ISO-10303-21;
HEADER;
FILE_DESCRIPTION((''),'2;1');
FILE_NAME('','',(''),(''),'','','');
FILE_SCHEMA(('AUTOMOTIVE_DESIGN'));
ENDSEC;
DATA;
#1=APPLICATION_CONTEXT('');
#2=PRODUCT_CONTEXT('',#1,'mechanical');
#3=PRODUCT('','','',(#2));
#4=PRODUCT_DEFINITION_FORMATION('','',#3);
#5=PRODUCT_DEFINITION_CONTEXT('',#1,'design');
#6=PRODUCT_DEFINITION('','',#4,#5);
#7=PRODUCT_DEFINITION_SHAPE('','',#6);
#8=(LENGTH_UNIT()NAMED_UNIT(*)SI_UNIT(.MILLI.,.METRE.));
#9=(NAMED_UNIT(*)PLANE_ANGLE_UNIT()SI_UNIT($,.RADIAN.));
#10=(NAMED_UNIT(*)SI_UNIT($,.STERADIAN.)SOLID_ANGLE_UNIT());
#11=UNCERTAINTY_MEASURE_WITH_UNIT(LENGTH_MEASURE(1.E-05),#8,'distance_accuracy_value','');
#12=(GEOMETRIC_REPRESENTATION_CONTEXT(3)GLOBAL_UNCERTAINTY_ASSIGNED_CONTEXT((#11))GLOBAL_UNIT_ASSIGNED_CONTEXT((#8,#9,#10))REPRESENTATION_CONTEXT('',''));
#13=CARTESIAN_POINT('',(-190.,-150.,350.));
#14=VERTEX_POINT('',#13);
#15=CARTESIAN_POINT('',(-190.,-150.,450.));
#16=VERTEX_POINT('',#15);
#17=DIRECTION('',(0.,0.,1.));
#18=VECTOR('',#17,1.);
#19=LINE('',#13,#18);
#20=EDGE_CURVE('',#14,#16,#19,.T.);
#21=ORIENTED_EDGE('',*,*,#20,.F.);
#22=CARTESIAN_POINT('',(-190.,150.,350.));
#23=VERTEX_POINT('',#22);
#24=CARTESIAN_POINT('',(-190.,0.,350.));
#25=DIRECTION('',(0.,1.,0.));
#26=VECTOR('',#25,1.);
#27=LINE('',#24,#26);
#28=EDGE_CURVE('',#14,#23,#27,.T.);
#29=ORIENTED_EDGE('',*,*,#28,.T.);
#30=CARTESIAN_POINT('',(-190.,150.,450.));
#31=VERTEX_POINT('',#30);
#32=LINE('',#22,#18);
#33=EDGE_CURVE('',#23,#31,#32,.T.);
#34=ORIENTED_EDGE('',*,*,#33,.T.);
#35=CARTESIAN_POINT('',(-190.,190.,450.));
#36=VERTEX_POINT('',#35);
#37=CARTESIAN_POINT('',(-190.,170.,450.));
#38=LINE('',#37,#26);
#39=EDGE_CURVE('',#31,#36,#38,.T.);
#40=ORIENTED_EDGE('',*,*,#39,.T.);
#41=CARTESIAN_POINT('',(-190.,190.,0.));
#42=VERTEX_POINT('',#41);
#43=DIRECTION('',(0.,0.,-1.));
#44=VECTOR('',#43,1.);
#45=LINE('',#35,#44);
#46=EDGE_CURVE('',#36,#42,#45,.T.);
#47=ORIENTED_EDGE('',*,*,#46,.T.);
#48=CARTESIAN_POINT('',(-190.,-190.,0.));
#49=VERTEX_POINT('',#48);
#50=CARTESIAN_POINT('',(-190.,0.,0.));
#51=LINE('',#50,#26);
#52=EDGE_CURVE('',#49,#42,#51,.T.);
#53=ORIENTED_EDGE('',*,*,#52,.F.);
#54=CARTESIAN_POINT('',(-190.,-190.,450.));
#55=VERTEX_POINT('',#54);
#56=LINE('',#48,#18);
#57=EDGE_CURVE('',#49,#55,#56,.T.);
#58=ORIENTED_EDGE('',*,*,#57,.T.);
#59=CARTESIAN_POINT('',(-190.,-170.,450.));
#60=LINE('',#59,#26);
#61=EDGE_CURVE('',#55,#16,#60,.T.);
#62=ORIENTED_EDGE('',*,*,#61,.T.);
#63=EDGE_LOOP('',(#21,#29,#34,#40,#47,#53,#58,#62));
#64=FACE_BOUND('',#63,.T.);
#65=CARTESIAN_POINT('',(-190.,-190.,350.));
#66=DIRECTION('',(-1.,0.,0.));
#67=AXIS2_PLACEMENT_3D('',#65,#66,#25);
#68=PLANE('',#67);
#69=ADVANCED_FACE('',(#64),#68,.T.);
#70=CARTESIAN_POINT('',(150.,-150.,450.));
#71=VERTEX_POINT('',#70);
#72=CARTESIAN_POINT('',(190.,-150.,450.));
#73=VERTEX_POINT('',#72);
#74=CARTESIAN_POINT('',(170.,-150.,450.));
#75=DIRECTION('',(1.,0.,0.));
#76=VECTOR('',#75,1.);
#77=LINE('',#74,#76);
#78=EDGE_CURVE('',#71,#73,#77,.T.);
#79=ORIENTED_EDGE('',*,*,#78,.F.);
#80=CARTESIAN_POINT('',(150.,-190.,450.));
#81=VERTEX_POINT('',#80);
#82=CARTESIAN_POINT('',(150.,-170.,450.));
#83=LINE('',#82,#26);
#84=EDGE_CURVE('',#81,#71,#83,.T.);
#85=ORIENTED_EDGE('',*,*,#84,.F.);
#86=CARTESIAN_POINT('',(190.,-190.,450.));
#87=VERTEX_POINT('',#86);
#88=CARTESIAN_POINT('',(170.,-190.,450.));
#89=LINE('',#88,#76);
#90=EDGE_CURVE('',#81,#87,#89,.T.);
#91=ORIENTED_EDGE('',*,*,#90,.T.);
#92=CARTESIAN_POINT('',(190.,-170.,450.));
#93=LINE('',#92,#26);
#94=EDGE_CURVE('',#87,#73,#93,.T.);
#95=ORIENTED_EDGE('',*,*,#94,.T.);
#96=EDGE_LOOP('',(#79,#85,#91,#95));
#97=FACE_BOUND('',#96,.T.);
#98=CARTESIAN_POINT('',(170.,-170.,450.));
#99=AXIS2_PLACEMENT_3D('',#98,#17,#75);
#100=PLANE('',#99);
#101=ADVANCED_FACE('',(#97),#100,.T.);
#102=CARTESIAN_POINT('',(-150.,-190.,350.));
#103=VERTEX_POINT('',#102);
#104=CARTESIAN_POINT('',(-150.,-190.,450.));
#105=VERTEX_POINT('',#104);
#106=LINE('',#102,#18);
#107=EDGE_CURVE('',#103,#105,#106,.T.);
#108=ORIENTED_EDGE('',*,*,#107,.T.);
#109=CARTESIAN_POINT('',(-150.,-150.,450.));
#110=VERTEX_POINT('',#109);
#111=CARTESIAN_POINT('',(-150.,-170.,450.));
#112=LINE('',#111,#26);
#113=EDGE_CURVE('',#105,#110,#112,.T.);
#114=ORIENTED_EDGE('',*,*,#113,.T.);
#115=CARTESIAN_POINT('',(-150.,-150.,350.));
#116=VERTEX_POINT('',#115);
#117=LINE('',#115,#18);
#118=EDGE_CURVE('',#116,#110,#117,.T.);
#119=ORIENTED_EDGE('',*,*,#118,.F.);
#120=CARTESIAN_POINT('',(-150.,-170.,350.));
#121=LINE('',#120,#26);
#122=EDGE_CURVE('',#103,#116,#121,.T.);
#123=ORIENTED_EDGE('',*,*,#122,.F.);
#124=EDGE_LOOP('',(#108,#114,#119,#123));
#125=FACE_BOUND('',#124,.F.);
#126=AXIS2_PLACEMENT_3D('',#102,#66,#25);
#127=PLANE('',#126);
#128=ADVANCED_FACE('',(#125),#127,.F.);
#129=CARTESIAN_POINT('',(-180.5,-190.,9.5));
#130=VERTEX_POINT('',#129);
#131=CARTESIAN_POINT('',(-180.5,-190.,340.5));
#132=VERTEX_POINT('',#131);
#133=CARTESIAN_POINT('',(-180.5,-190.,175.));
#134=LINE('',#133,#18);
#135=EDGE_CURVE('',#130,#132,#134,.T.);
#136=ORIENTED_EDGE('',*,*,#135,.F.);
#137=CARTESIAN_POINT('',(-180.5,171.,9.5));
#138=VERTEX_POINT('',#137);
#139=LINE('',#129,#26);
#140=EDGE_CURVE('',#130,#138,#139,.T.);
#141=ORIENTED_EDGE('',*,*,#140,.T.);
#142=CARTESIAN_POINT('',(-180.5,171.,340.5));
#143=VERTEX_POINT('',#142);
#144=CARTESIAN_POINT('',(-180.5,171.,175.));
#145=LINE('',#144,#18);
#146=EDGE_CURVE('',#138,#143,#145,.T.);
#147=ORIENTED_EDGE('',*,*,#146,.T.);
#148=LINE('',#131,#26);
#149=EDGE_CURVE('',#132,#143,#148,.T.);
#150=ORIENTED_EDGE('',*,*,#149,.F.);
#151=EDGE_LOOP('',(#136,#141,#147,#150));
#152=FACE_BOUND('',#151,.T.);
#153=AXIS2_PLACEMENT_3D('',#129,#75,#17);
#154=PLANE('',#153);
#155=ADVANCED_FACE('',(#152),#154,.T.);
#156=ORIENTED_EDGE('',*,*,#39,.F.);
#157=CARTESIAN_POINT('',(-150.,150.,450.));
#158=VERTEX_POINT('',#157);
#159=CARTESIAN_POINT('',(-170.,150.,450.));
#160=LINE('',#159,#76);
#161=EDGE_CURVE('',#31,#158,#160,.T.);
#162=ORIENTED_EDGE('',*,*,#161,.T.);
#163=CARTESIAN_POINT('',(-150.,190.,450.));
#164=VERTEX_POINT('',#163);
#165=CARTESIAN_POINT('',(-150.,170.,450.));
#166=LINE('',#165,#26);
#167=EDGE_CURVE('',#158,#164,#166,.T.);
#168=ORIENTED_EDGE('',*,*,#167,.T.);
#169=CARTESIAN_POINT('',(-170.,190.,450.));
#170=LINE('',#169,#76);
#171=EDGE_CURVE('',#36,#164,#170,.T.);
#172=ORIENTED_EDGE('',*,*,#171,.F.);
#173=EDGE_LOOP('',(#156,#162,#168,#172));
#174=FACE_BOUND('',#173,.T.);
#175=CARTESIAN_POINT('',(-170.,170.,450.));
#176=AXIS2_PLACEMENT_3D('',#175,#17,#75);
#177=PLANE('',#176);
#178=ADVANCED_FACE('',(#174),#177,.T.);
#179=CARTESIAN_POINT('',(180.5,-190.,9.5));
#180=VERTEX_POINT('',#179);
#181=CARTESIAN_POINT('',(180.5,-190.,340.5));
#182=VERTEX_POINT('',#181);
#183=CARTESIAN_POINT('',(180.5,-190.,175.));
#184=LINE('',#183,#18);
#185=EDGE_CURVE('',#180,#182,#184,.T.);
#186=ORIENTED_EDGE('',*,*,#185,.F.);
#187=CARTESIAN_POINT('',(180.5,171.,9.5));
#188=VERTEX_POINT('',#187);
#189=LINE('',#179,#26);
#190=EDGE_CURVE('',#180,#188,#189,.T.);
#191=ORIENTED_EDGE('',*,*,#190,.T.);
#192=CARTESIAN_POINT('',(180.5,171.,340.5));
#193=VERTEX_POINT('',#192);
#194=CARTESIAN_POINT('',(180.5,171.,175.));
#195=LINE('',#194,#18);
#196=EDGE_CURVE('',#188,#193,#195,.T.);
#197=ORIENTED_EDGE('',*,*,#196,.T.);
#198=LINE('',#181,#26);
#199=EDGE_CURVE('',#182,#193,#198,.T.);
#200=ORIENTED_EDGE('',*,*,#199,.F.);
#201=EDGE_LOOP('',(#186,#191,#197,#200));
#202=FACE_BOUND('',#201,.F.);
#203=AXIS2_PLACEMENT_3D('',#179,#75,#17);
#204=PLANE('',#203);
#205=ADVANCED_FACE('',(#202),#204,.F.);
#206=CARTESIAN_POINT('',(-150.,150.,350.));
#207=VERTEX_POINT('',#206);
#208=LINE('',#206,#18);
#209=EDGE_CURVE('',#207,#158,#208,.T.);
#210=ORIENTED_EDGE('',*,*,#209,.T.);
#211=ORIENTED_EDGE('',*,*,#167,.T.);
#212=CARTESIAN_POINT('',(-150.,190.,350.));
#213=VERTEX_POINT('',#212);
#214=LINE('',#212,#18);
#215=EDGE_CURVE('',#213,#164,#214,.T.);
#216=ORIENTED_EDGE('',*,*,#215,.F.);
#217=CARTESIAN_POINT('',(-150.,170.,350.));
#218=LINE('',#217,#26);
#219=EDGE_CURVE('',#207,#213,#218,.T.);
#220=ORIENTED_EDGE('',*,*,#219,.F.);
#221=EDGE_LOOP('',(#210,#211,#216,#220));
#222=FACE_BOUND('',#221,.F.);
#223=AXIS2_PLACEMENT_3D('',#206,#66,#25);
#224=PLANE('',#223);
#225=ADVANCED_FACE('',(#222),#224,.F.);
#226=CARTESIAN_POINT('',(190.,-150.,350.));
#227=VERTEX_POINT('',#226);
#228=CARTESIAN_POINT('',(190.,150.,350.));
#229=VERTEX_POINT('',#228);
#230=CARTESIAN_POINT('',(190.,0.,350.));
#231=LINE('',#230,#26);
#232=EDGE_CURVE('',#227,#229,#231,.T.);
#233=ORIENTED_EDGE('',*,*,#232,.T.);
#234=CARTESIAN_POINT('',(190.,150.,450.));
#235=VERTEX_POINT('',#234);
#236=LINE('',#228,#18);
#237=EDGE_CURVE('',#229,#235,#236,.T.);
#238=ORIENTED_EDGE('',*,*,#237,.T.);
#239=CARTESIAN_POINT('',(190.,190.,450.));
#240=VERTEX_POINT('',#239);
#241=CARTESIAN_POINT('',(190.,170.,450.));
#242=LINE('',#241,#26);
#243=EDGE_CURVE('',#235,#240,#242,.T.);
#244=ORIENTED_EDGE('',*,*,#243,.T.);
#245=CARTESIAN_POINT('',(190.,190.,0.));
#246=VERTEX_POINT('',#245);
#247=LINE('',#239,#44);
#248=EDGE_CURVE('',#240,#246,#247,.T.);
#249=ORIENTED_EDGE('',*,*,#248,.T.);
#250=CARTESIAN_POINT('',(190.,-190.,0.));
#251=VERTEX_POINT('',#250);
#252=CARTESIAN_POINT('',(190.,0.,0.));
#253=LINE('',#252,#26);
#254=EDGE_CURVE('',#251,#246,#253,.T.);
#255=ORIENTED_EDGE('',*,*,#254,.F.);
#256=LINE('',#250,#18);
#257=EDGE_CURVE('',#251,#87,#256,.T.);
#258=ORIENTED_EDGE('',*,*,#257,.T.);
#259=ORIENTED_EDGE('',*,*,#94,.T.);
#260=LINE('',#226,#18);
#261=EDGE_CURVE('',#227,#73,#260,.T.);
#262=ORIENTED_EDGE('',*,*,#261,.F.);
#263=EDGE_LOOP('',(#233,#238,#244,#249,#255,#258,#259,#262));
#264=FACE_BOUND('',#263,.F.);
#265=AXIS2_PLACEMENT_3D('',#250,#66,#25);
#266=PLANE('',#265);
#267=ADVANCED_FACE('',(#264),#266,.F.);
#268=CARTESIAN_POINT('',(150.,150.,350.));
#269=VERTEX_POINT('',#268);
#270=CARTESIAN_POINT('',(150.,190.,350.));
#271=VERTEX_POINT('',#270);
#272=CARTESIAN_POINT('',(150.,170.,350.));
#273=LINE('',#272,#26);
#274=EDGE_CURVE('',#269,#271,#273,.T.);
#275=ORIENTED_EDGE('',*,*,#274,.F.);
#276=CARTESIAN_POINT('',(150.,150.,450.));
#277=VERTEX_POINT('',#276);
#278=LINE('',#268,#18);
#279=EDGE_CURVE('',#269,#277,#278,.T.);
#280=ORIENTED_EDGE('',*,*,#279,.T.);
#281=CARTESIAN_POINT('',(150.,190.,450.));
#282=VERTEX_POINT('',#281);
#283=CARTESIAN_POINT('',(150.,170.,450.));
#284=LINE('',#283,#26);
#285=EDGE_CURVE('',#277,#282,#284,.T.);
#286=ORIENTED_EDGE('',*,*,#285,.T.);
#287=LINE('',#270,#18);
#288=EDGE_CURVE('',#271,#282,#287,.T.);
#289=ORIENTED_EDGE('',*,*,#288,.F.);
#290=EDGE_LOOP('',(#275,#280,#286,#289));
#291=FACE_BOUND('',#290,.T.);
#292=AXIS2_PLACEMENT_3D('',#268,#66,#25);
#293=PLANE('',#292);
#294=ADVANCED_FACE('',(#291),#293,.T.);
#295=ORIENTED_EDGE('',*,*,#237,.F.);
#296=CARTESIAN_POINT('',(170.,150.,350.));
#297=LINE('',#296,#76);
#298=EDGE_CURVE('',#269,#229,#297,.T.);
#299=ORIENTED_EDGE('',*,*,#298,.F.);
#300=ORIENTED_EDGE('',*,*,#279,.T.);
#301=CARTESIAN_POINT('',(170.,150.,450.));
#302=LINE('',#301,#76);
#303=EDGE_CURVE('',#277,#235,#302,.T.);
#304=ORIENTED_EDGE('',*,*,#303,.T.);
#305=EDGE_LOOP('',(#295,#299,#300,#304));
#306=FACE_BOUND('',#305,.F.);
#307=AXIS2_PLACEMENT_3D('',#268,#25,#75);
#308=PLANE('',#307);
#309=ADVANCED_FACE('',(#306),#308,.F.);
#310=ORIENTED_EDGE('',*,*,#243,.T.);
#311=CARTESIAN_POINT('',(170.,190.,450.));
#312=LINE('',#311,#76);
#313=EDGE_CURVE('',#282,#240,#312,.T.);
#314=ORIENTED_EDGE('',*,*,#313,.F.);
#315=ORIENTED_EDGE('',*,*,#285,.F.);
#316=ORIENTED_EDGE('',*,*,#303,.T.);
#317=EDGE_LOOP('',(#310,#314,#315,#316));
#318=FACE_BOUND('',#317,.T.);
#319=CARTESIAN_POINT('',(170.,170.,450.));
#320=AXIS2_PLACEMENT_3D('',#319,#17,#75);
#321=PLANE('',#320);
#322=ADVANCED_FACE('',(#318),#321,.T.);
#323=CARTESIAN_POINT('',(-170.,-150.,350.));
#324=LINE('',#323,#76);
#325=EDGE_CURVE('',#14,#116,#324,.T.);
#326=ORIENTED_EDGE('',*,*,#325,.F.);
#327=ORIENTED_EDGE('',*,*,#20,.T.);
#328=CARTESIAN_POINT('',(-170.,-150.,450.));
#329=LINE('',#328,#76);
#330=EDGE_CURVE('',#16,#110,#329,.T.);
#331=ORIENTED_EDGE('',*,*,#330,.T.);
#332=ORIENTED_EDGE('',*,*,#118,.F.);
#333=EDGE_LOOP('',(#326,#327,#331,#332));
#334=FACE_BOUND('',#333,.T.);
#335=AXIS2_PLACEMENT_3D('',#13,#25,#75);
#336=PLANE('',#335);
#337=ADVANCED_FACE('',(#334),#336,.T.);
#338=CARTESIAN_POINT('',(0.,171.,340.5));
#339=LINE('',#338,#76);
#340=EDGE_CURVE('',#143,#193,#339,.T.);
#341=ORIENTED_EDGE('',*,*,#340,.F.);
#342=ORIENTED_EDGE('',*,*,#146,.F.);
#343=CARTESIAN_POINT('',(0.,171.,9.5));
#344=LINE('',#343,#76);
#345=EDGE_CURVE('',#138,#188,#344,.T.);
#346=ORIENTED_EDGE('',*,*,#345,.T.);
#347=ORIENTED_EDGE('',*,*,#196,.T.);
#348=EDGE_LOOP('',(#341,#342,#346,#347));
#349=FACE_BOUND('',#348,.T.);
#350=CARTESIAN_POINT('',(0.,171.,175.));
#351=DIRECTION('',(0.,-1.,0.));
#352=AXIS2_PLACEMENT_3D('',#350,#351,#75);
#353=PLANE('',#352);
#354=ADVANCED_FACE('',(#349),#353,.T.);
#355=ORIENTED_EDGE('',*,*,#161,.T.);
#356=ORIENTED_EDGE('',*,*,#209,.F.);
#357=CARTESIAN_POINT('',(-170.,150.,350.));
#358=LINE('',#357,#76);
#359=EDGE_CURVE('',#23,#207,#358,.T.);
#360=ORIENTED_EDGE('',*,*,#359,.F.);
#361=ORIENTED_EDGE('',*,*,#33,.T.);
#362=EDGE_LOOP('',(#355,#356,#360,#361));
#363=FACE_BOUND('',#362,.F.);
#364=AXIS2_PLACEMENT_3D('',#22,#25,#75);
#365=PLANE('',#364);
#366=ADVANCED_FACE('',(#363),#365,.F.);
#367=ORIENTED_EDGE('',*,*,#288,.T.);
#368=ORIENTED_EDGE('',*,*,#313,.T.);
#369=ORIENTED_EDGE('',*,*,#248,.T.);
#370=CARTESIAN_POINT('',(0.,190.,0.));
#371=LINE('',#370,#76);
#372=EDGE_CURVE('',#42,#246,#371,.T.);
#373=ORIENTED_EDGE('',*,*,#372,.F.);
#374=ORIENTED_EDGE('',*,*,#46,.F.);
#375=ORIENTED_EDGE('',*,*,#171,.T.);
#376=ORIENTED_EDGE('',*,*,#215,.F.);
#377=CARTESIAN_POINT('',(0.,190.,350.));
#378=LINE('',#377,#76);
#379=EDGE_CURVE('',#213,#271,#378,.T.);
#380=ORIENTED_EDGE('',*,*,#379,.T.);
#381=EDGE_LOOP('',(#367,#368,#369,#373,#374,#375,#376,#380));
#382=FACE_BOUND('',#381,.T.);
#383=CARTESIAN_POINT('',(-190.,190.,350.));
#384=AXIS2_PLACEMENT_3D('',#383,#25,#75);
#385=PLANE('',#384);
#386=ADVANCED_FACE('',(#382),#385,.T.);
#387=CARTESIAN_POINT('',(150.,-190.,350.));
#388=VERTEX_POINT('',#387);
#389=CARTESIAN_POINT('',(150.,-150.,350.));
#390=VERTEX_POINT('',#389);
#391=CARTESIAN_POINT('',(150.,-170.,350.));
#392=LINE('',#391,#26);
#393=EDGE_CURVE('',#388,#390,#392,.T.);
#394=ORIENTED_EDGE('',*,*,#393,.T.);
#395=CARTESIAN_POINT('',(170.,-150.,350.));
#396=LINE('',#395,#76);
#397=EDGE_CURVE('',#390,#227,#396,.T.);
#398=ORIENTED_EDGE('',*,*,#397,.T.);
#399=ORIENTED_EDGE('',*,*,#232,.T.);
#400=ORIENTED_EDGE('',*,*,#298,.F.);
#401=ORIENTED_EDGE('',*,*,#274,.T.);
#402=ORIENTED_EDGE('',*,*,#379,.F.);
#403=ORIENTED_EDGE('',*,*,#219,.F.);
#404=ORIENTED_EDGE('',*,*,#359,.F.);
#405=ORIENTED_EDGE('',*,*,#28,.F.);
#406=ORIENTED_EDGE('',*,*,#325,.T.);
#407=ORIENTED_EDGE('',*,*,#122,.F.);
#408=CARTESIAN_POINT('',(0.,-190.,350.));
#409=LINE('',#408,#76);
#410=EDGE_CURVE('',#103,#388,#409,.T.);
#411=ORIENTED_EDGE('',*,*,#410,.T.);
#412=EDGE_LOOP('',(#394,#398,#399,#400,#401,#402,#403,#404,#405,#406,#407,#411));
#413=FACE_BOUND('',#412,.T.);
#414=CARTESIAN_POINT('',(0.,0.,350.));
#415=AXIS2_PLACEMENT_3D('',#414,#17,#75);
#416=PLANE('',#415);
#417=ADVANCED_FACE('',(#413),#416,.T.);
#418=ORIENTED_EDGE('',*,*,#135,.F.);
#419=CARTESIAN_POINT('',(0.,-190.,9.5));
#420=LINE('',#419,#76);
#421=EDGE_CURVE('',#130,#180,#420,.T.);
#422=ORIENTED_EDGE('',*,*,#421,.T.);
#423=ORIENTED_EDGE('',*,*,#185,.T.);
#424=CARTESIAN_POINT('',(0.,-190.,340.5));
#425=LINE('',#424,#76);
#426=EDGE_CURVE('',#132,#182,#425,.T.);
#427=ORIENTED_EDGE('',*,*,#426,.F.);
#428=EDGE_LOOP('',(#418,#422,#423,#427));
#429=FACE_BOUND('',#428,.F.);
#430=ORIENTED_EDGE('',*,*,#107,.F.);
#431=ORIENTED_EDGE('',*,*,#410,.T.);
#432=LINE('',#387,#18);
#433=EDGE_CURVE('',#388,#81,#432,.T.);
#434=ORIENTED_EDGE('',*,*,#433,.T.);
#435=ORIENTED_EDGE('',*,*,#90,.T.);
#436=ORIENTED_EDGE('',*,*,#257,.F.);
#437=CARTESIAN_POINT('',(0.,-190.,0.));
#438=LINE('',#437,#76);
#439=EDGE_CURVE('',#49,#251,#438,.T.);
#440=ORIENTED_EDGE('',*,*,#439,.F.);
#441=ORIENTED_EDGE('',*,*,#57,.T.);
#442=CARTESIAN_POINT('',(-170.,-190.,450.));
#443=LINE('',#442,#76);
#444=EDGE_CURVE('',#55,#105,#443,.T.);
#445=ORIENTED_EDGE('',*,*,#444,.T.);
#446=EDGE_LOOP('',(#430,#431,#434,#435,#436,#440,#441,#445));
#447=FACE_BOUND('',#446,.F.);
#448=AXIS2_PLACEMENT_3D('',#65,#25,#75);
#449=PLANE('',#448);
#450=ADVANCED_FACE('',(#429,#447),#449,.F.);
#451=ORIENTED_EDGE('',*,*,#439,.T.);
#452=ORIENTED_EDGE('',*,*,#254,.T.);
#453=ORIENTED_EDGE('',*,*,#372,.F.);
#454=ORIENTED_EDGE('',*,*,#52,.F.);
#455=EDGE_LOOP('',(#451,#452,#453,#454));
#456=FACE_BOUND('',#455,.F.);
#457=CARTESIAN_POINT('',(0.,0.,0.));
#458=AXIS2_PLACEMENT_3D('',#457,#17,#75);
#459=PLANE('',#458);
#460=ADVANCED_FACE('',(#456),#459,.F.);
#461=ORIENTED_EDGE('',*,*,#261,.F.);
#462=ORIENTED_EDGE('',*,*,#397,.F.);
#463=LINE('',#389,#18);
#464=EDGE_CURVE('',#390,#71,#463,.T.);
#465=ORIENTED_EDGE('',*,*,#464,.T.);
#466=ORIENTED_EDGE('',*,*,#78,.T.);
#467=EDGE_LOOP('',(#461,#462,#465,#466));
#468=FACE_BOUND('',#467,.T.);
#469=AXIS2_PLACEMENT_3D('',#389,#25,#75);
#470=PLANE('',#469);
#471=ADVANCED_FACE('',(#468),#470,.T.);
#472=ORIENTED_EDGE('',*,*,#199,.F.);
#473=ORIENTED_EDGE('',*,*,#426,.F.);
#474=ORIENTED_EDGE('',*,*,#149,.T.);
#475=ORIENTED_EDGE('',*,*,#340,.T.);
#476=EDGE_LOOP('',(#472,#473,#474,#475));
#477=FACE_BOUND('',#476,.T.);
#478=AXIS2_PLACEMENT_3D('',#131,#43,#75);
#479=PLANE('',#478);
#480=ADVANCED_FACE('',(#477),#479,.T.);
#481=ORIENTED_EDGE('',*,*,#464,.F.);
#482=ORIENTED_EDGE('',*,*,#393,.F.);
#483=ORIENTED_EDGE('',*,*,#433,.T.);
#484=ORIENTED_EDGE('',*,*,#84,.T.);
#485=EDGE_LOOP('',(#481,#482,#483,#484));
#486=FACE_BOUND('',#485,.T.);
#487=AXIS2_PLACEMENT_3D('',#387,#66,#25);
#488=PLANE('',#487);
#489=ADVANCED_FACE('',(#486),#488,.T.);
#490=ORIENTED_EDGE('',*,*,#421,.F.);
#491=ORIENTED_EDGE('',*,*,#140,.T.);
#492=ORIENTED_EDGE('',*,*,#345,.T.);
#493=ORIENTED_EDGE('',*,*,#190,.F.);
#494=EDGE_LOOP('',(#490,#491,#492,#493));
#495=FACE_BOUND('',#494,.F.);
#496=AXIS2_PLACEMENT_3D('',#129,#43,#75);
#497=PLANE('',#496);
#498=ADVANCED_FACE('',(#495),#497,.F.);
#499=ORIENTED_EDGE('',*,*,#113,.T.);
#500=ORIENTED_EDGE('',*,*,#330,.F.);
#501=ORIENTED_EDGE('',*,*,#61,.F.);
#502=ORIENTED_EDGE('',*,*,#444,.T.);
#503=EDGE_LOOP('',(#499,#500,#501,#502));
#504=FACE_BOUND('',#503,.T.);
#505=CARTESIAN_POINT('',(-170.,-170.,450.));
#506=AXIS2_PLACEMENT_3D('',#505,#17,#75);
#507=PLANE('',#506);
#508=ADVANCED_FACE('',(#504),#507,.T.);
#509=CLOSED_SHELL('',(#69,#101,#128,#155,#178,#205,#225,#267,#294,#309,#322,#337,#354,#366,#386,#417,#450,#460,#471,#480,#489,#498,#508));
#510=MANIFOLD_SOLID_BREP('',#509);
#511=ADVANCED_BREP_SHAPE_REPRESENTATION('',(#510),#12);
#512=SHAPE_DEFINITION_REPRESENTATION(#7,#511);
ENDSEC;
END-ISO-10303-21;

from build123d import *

# Parameters (mm, degrees)
F0_W     = 380
F0_H     = 380
F1_DEPTH = 350
F2_W     = 361
F2_H     = 331
F3_DEPTH = 361
F4_W     = 40
F4_H     = 40
F5_DEPTH = 100
F6_W     = 40
F6_H     = 40
F7_DEPTH = 100


with BuildPart() as f1:
    # F0 (on Top) → F1 (new body)
    with BuildSketch(Plane.XY):
        Rectangle(F0_W, F0_H)
    extrude(amount=F1_DEPTH)

    # F2 (on face) → F3 (cut)
    with BuildSketch(Plane.XZ.offset(190)):
        with Locations((0, 175)):
            Rectangle(F2_W, F2_H)
    extrude(amount=-F3_DEPTH, mode=Mode.SUBTRACT)

    # F4 (on face) → F5 (join)
    with BuildSketch(Plane.XY.offset(350)):
        with Locations((-170, 170)):
            Rectangle(F4_W, F4_H)
        with Locations((170, 170)):
            Rectangle(F4_W, F4_H)
    extrude(amount=F5_DEPTH)

    # F6 (on face) → F7 (join)
    with BuildSketch(Plane.XY.offset(350)):
        with Locations((-170, -170)):
            Rectangle(F6_W, F6_H)
        with Locations((170, -170)):
            Rectangle(F6_W, F6_H)
    extrude(amount=F7_DEPTH)


solid = f1.part
